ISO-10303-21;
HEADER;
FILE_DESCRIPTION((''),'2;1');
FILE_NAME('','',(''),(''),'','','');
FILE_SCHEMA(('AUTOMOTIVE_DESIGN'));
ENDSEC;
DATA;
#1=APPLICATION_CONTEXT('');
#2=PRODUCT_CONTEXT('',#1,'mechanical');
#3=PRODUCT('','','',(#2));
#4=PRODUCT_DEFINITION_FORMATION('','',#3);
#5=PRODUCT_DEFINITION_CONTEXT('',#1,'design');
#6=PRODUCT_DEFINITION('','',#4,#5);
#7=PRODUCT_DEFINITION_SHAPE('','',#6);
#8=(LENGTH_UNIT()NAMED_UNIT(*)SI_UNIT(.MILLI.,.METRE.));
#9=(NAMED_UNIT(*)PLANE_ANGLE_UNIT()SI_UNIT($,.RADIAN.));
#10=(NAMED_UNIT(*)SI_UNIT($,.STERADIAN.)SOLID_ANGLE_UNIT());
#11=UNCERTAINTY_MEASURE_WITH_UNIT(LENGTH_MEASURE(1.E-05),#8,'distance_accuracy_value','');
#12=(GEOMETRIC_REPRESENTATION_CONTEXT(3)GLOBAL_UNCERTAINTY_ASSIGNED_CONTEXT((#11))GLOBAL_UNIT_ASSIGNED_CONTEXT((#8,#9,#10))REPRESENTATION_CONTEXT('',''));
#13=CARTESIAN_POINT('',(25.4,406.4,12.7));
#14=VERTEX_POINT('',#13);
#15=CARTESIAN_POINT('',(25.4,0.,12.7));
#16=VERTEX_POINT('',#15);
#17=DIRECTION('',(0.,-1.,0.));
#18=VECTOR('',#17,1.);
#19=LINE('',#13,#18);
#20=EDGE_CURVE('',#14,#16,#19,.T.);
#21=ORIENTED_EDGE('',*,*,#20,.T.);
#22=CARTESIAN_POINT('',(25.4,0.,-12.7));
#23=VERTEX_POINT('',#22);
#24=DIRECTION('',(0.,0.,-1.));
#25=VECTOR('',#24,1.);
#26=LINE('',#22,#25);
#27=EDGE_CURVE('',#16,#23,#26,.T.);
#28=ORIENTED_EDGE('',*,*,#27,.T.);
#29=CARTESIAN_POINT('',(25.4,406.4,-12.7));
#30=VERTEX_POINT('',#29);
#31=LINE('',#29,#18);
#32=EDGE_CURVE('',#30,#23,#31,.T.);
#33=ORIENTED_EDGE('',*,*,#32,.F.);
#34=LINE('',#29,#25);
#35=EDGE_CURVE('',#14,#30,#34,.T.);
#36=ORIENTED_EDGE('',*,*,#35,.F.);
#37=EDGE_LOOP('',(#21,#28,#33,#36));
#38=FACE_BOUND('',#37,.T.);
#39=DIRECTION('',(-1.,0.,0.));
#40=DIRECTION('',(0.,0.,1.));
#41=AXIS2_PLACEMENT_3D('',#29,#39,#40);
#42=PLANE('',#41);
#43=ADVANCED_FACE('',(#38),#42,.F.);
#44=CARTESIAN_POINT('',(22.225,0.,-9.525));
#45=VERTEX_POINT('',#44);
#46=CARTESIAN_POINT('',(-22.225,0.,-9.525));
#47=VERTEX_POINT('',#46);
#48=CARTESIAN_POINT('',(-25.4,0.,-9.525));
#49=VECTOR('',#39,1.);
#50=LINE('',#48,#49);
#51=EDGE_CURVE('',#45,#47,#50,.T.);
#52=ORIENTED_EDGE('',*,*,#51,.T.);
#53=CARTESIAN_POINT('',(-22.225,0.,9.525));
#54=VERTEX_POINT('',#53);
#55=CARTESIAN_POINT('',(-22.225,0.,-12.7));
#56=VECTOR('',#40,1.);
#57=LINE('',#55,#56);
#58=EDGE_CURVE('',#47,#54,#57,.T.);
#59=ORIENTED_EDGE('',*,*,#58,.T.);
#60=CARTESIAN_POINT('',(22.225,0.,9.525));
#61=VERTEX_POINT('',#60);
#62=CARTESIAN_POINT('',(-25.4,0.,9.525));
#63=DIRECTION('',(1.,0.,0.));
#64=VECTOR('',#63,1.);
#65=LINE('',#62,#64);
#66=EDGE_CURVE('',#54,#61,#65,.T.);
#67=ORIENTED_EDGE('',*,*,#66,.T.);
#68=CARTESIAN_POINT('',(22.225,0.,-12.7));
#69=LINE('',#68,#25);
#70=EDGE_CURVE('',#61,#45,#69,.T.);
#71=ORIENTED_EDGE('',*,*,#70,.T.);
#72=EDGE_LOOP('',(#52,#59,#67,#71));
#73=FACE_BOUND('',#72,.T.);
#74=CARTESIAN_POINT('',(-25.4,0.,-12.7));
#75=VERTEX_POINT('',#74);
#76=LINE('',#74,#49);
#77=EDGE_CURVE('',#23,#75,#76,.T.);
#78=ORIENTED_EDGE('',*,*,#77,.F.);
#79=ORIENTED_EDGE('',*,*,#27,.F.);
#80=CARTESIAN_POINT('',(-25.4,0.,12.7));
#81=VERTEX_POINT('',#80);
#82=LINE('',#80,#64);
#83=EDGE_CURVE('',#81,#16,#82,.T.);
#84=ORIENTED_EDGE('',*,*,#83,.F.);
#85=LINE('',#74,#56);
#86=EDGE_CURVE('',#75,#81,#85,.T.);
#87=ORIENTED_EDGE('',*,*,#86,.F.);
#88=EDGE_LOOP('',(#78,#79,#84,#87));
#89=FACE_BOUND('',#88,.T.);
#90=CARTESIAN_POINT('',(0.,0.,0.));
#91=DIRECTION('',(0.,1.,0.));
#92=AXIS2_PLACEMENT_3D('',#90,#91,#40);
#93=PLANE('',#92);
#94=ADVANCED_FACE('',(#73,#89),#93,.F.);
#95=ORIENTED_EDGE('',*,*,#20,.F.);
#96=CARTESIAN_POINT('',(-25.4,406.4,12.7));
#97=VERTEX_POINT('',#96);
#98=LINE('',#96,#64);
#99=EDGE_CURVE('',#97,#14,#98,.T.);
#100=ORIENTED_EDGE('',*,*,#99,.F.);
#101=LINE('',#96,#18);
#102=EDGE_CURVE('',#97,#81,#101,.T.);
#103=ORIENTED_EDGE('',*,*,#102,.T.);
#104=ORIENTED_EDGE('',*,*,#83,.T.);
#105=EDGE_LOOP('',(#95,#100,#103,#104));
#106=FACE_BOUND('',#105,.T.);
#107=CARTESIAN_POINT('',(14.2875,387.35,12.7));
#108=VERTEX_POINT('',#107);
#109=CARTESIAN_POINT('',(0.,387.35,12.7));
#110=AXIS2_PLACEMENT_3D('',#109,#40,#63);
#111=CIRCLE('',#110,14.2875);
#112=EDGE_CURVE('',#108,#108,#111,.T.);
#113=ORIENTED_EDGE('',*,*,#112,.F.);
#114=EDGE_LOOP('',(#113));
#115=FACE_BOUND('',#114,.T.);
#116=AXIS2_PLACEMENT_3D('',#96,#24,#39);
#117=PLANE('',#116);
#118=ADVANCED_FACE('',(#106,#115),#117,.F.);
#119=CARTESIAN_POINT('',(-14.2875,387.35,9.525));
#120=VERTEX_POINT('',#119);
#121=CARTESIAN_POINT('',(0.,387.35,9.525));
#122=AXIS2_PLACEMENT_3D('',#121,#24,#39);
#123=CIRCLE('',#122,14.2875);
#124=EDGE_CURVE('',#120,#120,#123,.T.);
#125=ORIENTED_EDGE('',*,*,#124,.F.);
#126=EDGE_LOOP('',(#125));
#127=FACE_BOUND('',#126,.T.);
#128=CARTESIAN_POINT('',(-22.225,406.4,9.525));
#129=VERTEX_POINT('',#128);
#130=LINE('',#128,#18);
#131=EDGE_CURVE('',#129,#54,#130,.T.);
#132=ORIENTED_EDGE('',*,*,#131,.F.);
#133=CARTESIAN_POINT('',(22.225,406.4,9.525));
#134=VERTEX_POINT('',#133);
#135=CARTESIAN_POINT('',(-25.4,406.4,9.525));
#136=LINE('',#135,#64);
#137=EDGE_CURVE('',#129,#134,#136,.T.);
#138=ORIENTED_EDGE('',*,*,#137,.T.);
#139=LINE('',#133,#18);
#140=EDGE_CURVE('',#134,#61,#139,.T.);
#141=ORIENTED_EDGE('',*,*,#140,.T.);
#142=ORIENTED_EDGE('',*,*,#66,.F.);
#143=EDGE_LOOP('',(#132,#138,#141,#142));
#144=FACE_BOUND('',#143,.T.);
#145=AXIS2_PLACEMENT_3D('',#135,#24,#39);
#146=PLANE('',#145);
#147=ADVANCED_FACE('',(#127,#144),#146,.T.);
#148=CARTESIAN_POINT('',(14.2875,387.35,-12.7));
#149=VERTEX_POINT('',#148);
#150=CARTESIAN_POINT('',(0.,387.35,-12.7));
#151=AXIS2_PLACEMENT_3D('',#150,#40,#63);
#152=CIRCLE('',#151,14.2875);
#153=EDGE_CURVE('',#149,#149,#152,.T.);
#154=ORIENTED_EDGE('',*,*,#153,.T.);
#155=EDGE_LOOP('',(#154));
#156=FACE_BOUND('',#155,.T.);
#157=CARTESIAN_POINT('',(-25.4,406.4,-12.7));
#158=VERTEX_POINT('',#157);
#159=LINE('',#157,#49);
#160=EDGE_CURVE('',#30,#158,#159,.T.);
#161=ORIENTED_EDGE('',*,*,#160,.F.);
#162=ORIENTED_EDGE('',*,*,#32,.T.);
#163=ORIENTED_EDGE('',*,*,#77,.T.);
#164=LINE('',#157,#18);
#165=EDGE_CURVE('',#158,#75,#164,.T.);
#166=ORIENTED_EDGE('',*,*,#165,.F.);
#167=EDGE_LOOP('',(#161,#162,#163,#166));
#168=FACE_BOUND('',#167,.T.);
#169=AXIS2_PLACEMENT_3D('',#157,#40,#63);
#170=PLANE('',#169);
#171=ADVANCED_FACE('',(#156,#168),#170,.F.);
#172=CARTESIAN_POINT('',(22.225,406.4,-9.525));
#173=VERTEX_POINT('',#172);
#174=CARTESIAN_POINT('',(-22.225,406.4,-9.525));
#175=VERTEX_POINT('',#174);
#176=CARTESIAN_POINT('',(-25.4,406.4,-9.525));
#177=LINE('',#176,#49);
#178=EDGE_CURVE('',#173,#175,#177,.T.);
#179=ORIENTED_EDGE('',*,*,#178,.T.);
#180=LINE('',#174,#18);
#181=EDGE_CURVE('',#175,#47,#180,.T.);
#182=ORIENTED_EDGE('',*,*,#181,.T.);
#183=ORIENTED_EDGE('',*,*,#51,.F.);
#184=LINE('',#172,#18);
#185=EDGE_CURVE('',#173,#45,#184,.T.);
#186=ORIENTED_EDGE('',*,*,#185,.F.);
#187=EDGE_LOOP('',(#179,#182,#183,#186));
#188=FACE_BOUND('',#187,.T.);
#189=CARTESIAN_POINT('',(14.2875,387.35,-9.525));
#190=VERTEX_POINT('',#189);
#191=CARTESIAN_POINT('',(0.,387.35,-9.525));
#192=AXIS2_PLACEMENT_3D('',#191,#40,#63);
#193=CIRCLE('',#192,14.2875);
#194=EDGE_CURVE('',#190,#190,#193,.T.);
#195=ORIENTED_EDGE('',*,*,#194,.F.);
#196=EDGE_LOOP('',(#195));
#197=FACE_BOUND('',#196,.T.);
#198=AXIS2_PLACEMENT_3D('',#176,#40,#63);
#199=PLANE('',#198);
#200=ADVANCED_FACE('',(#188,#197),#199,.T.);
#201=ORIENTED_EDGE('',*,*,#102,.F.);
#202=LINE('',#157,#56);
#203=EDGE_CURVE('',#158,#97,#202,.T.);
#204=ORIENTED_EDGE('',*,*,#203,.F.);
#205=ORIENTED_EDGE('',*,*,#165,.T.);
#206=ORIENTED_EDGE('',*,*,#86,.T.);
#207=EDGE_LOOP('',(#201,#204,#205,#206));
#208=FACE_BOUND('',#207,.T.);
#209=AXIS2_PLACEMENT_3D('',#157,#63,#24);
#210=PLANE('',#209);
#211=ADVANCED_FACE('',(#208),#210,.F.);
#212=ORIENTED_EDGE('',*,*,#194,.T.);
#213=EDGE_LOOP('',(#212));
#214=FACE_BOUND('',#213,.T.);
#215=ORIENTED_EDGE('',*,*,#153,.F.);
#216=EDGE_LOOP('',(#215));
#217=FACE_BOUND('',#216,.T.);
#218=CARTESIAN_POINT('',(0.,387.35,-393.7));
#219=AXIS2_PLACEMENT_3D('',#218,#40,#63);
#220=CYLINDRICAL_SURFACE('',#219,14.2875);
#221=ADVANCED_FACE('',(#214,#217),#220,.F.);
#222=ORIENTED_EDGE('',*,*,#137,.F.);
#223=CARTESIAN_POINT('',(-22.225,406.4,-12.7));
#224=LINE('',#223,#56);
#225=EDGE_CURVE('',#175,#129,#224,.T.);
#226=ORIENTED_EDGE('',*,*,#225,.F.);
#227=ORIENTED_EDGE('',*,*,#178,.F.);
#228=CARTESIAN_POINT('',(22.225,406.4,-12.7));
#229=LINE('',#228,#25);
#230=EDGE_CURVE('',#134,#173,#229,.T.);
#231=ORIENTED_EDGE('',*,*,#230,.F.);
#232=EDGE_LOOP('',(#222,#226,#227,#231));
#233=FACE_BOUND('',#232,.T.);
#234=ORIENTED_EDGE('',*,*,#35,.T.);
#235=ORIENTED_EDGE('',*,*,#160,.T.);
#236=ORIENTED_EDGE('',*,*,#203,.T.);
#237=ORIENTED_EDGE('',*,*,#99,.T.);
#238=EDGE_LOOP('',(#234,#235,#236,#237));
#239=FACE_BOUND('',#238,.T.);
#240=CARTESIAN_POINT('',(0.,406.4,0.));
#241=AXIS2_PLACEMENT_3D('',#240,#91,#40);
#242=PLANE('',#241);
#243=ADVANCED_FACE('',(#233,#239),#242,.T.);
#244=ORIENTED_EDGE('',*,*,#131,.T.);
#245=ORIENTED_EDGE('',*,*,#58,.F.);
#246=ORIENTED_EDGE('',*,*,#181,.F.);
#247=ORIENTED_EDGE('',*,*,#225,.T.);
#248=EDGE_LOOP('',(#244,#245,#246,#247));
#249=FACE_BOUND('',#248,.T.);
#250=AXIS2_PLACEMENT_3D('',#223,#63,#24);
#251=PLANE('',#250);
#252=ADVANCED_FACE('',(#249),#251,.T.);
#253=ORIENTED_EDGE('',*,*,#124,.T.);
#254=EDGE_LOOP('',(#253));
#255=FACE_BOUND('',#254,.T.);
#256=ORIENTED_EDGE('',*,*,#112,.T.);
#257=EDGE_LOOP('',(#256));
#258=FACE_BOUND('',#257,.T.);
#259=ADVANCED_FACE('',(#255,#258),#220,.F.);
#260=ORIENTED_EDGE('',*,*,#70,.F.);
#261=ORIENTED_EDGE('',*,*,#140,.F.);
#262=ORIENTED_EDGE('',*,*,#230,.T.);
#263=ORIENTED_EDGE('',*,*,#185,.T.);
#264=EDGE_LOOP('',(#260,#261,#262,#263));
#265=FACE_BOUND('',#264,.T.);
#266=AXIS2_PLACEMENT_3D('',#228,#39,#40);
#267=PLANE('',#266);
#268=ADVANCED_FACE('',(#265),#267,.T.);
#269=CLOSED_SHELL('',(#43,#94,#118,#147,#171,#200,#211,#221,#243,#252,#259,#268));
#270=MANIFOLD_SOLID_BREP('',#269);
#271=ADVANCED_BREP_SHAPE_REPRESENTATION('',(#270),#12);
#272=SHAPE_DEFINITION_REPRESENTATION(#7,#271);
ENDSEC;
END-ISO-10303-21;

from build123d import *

# Parameters (mm, degrees)
SKETCH1_W           = 50.8
SKETCH1_H           = 25.4
BOSS_EXTRUDE1_DEPTH = 406.4
SHELL1_T            = -3.175
SKETCH2_R           = 14.2875
CUT_EXTRUDE1_DEPTH  = 406.4


with BuildPart() as part:
    # Sketch1 → Boss-Extrude1 (new body)
    with BuildSketch(Plane(origin=(0, 0, 0), x_dir=(1, 0, 0), z_dir=(0, 1, 0))):
        Rectangle(SKETCH1_W, SKETCH1_H)
    extrude(amount=BOSS_EXTRUDE1_DEPTH)

    # Shell1
    shell1_openings = [part.faces().sort_by_distance(p)[0] for p in [
        (0, 406.4, 0),
        (0, 0, 0),
    ]]
    offset(amount=SHELL1_T, openings=shell1_openings, kind=Kind.INTERSECTION)

    # Sketch2 → Cut-Extrude1 (cut)
    with BuildSketch(Plane.XY.offset(12.7)):
        with Locations((0, 387.35)):
            Circle(SKETCH2_R)
    extrude(amount=-CUT_EXTRUDE1_DEPTH, mode=Mode.SUBTRACT)


solid = part.part
